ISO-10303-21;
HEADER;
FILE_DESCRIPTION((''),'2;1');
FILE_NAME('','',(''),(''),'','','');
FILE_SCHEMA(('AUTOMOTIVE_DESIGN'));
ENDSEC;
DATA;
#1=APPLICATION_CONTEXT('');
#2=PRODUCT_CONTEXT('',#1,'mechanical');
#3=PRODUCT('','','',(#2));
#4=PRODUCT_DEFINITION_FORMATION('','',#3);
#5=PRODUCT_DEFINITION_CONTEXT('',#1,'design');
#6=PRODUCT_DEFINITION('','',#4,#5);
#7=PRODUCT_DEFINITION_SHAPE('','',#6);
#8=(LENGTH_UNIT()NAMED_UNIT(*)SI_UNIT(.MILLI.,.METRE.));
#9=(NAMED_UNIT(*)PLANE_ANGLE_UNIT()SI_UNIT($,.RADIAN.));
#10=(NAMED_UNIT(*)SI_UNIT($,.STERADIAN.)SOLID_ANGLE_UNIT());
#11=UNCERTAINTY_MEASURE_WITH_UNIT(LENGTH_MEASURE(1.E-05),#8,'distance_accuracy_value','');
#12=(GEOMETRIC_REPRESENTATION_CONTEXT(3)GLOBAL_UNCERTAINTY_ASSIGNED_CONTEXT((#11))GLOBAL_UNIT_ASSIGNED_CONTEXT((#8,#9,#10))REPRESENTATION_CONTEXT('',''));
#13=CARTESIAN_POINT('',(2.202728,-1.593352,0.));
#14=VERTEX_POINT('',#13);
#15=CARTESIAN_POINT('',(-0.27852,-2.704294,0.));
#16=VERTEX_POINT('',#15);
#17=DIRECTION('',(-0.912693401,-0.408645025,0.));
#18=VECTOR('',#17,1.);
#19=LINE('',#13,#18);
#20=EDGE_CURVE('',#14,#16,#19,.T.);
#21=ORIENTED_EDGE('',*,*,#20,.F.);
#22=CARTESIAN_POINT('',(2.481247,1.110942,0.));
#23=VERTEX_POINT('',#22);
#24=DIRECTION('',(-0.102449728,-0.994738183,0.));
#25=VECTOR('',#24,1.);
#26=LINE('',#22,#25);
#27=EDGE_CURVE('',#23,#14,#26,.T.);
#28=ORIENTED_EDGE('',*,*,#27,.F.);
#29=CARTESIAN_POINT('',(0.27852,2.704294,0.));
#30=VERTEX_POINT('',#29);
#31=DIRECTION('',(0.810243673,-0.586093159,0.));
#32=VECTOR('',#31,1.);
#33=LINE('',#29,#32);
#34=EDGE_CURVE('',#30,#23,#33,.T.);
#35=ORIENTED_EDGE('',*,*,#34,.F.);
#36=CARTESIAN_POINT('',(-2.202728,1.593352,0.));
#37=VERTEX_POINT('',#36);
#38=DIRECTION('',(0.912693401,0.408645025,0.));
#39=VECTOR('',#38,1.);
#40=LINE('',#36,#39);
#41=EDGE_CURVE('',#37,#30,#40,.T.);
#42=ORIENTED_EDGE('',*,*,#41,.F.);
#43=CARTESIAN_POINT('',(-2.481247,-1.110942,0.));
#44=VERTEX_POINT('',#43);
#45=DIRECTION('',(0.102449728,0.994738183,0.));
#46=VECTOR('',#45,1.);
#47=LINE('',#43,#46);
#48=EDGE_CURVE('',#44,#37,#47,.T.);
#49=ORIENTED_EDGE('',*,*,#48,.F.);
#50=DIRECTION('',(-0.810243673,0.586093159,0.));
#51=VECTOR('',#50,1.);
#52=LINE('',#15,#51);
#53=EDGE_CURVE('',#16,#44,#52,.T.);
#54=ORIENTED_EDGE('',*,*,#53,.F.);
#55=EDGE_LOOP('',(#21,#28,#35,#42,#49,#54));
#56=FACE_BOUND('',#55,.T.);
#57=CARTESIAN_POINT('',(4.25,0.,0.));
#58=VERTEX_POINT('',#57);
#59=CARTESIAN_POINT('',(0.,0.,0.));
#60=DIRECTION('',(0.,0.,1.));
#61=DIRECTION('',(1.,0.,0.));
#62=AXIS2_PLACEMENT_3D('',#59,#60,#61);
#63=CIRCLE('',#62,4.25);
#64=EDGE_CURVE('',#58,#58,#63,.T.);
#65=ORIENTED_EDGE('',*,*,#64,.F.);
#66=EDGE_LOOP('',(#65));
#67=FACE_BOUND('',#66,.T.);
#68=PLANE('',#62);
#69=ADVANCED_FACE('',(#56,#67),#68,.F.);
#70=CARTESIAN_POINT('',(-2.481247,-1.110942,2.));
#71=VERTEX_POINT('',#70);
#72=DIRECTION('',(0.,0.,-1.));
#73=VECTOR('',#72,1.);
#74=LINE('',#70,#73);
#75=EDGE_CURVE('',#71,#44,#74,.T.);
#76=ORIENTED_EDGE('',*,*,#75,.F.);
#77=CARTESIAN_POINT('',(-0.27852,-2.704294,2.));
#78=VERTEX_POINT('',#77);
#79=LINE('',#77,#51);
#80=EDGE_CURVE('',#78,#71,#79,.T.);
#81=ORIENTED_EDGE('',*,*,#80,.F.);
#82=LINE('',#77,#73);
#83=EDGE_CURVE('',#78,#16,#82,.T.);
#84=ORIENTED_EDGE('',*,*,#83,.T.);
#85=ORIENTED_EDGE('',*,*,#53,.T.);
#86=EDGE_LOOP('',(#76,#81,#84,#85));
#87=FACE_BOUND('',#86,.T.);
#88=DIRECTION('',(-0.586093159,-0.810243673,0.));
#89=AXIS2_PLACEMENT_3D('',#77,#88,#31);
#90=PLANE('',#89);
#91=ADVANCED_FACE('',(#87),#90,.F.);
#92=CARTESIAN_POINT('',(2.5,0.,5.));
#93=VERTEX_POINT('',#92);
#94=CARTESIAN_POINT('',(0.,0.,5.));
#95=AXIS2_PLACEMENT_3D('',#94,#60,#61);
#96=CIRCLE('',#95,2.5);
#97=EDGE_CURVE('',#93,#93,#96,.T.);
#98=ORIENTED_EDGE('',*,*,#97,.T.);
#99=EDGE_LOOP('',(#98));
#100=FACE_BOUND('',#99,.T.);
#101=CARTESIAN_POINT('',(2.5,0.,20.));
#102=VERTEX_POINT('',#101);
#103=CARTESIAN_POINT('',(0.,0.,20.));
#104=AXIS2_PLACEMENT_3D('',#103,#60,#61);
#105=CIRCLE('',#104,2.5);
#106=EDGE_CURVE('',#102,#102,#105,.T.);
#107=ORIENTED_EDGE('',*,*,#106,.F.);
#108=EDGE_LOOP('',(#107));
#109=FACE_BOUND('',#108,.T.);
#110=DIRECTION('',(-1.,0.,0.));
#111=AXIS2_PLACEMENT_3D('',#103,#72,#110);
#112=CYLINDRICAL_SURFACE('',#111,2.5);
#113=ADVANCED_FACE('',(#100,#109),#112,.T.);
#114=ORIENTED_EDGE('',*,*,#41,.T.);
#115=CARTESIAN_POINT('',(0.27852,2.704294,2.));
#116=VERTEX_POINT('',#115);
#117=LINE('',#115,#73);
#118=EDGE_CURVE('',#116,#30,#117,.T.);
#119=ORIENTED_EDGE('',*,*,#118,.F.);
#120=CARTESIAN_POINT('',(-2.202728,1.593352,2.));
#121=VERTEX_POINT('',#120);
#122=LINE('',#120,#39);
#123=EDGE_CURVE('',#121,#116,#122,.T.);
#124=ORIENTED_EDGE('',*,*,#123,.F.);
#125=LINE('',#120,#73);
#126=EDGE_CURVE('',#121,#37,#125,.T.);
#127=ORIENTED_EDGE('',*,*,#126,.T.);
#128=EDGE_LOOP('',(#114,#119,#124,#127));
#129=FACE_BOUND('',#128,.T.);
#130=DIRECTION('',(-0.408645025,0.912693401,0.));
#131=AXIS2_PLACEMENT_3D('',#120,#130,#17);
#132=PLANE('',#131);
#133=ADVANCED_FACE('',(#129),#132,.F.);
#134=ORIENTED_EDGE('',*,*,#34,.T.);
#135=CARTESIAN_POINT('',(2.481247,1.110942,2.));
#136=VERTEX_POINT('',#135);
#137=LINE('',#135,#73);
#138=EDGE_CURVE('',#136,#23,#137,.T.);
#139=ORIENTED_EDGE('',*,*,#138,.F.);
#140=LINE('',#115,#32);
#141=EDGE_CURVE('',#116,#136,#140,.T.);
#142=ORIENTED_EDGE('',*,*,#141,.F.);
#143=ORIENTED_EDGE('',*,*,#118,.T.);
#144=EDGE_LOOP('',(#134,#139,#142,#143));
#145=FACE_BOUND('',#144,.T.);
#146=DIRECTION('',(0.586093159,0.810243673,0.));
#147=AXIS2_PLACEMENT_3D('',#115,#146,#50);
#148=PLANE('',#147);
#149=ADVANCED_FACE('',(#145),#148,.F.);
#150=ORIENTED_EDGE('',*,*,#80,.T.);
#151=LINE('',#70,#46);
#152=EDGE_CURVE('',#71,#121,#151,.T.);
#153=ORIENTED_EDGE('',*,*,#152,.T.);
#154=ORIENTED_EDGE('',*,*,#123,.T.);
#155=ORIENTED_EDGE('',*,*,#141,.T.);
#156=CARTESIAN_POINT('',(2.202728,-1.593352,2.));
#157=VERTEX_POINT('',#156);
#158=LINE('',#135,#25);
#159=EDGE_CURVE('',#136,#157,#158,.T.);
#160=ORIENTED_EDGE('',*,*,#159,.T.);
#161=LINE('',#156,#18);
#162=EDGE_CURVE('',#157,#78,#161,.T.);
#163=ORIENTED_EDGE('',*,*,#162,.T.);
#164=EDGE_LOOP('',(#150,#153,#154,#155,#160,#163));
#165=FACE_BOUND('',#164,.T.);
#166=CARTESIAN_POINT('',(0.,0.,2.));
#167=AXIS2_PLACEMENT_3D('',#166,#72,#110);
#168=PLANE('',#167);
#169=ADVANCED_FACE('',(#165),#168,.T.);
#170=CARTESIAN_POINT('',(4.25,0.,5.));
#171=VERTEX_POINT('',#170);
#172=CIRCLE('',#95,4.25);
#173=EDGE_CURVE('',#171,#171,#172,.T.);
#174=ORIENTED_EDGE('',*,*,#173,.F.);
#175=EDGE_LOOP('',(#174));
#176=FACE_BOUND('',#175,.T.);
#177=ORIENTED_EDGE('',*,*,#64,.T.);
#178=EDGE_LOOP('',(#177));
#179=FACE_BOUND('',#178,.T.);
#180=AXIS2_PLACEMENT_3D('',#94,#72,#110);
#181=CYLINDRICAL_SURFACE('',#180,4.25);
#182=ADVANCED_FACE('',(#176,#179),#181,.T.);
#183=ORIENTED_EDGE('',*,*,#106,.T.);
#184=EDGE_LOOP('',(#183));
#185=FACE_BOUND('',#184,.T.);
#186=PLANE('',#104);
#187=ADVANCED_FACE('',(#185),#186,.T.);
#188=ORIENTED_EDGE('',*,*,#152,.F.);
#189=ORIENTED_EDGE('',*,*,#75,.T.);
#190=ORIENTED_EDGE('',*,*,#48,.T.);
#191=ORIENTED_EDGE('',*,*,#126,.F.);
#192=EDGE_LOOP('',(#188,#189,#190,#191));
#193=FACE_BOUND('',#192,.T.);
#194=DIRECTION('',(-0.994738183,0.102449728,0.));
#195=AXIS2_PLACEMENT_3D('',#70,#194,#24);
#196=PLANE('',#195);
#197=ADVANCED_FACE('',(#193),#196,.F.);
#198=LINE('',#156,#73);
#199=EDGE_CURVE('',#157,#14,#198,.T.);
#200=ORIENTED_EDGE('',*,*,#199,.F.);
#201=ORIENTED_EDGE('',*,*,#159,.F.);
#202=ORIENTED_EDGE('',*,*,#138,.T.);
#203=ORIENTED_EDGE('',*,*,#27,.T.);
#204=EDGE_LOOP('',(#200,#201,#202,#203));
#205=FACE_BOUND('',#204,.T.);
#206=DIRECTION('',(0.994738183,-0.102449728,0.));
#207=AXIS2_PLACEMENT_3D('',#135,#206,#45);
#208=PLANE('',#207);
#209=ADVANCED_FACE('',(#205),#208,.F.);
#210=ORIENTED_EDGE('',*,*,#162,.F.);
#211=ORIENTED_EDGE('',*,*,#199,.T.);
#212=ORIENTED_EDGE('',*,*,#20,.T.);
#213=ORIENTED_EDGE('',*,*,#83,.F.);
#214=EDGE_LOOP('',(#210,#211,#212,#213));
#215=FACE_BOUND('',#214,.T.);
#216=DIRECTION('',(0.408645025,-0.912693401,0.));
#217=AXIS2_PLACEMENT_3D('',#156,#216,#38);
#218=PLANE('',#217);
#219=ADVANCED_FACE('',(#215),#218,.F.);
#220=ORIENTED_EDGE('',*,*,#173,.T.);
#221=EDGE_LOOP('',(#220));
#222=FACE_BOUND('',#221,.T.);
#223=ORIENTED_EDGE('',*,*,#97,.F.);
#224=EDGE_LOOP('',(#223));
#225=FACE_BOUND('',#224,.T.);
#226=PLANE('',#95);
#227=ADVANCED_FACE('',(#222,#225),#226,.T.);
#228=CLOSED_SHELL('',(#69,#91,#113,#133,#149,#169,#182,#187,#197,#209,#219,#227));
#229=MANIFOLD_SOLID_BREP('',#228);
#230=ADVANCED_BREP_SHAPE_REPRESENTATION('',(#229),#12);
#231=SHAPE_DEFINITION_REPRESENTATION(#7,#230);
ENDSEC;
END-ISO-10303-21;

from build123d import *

# Parameters (mm, degrees)
SKETCH_1_R          = 4.25
EXTRUDE_1_DEPTH     = 5
SKETCH_2_R          = 2.5
EXTRUDE_2_DEPTH     = 15
CUT_EXTRUDE_1_DEPTH = 2


with BuildPart() as part:
    # ｽｹｯﾁ1 → ﾎﾞｽ - 押し出し1 (new body)
    with BuildSketch(Plane.XY):
        Circle(SKETCH_1_R)
    extrude(amount=EXTRUDE_1_DEPTH)

    # ｽｹｯﾁ2 → ﾎﾞｽ - 押し出し2 (add)
    with BuildSketch(Plane.XY.offset(5)):
        Circle(SKETCH_2_R)
    extrude(amount=EXTRUDE_2_DEPTH)

    # ｽｹｯﾁ3 → ｶｯﾄ - 押し出し1 (cut)
    with BuildSketch(Plane(origin=(0, 0, 0), x_dir=(-1, 0, 0), z_dir=(0, 0, -1))):
        Polygon((2.481247226, -1.110941893), (2.202727514, 1.593352185), (-0.278519712, 2.704294077), (-2.481247226, 1.110941893), (-2.202727514, -1.593352185), (0.278519712, -2.704294077), align=None)
    extrude(amount=-CUT_EXTRUDE_1_DEPTH, mode=Mode.SUBTRACT)


solid = part.part
